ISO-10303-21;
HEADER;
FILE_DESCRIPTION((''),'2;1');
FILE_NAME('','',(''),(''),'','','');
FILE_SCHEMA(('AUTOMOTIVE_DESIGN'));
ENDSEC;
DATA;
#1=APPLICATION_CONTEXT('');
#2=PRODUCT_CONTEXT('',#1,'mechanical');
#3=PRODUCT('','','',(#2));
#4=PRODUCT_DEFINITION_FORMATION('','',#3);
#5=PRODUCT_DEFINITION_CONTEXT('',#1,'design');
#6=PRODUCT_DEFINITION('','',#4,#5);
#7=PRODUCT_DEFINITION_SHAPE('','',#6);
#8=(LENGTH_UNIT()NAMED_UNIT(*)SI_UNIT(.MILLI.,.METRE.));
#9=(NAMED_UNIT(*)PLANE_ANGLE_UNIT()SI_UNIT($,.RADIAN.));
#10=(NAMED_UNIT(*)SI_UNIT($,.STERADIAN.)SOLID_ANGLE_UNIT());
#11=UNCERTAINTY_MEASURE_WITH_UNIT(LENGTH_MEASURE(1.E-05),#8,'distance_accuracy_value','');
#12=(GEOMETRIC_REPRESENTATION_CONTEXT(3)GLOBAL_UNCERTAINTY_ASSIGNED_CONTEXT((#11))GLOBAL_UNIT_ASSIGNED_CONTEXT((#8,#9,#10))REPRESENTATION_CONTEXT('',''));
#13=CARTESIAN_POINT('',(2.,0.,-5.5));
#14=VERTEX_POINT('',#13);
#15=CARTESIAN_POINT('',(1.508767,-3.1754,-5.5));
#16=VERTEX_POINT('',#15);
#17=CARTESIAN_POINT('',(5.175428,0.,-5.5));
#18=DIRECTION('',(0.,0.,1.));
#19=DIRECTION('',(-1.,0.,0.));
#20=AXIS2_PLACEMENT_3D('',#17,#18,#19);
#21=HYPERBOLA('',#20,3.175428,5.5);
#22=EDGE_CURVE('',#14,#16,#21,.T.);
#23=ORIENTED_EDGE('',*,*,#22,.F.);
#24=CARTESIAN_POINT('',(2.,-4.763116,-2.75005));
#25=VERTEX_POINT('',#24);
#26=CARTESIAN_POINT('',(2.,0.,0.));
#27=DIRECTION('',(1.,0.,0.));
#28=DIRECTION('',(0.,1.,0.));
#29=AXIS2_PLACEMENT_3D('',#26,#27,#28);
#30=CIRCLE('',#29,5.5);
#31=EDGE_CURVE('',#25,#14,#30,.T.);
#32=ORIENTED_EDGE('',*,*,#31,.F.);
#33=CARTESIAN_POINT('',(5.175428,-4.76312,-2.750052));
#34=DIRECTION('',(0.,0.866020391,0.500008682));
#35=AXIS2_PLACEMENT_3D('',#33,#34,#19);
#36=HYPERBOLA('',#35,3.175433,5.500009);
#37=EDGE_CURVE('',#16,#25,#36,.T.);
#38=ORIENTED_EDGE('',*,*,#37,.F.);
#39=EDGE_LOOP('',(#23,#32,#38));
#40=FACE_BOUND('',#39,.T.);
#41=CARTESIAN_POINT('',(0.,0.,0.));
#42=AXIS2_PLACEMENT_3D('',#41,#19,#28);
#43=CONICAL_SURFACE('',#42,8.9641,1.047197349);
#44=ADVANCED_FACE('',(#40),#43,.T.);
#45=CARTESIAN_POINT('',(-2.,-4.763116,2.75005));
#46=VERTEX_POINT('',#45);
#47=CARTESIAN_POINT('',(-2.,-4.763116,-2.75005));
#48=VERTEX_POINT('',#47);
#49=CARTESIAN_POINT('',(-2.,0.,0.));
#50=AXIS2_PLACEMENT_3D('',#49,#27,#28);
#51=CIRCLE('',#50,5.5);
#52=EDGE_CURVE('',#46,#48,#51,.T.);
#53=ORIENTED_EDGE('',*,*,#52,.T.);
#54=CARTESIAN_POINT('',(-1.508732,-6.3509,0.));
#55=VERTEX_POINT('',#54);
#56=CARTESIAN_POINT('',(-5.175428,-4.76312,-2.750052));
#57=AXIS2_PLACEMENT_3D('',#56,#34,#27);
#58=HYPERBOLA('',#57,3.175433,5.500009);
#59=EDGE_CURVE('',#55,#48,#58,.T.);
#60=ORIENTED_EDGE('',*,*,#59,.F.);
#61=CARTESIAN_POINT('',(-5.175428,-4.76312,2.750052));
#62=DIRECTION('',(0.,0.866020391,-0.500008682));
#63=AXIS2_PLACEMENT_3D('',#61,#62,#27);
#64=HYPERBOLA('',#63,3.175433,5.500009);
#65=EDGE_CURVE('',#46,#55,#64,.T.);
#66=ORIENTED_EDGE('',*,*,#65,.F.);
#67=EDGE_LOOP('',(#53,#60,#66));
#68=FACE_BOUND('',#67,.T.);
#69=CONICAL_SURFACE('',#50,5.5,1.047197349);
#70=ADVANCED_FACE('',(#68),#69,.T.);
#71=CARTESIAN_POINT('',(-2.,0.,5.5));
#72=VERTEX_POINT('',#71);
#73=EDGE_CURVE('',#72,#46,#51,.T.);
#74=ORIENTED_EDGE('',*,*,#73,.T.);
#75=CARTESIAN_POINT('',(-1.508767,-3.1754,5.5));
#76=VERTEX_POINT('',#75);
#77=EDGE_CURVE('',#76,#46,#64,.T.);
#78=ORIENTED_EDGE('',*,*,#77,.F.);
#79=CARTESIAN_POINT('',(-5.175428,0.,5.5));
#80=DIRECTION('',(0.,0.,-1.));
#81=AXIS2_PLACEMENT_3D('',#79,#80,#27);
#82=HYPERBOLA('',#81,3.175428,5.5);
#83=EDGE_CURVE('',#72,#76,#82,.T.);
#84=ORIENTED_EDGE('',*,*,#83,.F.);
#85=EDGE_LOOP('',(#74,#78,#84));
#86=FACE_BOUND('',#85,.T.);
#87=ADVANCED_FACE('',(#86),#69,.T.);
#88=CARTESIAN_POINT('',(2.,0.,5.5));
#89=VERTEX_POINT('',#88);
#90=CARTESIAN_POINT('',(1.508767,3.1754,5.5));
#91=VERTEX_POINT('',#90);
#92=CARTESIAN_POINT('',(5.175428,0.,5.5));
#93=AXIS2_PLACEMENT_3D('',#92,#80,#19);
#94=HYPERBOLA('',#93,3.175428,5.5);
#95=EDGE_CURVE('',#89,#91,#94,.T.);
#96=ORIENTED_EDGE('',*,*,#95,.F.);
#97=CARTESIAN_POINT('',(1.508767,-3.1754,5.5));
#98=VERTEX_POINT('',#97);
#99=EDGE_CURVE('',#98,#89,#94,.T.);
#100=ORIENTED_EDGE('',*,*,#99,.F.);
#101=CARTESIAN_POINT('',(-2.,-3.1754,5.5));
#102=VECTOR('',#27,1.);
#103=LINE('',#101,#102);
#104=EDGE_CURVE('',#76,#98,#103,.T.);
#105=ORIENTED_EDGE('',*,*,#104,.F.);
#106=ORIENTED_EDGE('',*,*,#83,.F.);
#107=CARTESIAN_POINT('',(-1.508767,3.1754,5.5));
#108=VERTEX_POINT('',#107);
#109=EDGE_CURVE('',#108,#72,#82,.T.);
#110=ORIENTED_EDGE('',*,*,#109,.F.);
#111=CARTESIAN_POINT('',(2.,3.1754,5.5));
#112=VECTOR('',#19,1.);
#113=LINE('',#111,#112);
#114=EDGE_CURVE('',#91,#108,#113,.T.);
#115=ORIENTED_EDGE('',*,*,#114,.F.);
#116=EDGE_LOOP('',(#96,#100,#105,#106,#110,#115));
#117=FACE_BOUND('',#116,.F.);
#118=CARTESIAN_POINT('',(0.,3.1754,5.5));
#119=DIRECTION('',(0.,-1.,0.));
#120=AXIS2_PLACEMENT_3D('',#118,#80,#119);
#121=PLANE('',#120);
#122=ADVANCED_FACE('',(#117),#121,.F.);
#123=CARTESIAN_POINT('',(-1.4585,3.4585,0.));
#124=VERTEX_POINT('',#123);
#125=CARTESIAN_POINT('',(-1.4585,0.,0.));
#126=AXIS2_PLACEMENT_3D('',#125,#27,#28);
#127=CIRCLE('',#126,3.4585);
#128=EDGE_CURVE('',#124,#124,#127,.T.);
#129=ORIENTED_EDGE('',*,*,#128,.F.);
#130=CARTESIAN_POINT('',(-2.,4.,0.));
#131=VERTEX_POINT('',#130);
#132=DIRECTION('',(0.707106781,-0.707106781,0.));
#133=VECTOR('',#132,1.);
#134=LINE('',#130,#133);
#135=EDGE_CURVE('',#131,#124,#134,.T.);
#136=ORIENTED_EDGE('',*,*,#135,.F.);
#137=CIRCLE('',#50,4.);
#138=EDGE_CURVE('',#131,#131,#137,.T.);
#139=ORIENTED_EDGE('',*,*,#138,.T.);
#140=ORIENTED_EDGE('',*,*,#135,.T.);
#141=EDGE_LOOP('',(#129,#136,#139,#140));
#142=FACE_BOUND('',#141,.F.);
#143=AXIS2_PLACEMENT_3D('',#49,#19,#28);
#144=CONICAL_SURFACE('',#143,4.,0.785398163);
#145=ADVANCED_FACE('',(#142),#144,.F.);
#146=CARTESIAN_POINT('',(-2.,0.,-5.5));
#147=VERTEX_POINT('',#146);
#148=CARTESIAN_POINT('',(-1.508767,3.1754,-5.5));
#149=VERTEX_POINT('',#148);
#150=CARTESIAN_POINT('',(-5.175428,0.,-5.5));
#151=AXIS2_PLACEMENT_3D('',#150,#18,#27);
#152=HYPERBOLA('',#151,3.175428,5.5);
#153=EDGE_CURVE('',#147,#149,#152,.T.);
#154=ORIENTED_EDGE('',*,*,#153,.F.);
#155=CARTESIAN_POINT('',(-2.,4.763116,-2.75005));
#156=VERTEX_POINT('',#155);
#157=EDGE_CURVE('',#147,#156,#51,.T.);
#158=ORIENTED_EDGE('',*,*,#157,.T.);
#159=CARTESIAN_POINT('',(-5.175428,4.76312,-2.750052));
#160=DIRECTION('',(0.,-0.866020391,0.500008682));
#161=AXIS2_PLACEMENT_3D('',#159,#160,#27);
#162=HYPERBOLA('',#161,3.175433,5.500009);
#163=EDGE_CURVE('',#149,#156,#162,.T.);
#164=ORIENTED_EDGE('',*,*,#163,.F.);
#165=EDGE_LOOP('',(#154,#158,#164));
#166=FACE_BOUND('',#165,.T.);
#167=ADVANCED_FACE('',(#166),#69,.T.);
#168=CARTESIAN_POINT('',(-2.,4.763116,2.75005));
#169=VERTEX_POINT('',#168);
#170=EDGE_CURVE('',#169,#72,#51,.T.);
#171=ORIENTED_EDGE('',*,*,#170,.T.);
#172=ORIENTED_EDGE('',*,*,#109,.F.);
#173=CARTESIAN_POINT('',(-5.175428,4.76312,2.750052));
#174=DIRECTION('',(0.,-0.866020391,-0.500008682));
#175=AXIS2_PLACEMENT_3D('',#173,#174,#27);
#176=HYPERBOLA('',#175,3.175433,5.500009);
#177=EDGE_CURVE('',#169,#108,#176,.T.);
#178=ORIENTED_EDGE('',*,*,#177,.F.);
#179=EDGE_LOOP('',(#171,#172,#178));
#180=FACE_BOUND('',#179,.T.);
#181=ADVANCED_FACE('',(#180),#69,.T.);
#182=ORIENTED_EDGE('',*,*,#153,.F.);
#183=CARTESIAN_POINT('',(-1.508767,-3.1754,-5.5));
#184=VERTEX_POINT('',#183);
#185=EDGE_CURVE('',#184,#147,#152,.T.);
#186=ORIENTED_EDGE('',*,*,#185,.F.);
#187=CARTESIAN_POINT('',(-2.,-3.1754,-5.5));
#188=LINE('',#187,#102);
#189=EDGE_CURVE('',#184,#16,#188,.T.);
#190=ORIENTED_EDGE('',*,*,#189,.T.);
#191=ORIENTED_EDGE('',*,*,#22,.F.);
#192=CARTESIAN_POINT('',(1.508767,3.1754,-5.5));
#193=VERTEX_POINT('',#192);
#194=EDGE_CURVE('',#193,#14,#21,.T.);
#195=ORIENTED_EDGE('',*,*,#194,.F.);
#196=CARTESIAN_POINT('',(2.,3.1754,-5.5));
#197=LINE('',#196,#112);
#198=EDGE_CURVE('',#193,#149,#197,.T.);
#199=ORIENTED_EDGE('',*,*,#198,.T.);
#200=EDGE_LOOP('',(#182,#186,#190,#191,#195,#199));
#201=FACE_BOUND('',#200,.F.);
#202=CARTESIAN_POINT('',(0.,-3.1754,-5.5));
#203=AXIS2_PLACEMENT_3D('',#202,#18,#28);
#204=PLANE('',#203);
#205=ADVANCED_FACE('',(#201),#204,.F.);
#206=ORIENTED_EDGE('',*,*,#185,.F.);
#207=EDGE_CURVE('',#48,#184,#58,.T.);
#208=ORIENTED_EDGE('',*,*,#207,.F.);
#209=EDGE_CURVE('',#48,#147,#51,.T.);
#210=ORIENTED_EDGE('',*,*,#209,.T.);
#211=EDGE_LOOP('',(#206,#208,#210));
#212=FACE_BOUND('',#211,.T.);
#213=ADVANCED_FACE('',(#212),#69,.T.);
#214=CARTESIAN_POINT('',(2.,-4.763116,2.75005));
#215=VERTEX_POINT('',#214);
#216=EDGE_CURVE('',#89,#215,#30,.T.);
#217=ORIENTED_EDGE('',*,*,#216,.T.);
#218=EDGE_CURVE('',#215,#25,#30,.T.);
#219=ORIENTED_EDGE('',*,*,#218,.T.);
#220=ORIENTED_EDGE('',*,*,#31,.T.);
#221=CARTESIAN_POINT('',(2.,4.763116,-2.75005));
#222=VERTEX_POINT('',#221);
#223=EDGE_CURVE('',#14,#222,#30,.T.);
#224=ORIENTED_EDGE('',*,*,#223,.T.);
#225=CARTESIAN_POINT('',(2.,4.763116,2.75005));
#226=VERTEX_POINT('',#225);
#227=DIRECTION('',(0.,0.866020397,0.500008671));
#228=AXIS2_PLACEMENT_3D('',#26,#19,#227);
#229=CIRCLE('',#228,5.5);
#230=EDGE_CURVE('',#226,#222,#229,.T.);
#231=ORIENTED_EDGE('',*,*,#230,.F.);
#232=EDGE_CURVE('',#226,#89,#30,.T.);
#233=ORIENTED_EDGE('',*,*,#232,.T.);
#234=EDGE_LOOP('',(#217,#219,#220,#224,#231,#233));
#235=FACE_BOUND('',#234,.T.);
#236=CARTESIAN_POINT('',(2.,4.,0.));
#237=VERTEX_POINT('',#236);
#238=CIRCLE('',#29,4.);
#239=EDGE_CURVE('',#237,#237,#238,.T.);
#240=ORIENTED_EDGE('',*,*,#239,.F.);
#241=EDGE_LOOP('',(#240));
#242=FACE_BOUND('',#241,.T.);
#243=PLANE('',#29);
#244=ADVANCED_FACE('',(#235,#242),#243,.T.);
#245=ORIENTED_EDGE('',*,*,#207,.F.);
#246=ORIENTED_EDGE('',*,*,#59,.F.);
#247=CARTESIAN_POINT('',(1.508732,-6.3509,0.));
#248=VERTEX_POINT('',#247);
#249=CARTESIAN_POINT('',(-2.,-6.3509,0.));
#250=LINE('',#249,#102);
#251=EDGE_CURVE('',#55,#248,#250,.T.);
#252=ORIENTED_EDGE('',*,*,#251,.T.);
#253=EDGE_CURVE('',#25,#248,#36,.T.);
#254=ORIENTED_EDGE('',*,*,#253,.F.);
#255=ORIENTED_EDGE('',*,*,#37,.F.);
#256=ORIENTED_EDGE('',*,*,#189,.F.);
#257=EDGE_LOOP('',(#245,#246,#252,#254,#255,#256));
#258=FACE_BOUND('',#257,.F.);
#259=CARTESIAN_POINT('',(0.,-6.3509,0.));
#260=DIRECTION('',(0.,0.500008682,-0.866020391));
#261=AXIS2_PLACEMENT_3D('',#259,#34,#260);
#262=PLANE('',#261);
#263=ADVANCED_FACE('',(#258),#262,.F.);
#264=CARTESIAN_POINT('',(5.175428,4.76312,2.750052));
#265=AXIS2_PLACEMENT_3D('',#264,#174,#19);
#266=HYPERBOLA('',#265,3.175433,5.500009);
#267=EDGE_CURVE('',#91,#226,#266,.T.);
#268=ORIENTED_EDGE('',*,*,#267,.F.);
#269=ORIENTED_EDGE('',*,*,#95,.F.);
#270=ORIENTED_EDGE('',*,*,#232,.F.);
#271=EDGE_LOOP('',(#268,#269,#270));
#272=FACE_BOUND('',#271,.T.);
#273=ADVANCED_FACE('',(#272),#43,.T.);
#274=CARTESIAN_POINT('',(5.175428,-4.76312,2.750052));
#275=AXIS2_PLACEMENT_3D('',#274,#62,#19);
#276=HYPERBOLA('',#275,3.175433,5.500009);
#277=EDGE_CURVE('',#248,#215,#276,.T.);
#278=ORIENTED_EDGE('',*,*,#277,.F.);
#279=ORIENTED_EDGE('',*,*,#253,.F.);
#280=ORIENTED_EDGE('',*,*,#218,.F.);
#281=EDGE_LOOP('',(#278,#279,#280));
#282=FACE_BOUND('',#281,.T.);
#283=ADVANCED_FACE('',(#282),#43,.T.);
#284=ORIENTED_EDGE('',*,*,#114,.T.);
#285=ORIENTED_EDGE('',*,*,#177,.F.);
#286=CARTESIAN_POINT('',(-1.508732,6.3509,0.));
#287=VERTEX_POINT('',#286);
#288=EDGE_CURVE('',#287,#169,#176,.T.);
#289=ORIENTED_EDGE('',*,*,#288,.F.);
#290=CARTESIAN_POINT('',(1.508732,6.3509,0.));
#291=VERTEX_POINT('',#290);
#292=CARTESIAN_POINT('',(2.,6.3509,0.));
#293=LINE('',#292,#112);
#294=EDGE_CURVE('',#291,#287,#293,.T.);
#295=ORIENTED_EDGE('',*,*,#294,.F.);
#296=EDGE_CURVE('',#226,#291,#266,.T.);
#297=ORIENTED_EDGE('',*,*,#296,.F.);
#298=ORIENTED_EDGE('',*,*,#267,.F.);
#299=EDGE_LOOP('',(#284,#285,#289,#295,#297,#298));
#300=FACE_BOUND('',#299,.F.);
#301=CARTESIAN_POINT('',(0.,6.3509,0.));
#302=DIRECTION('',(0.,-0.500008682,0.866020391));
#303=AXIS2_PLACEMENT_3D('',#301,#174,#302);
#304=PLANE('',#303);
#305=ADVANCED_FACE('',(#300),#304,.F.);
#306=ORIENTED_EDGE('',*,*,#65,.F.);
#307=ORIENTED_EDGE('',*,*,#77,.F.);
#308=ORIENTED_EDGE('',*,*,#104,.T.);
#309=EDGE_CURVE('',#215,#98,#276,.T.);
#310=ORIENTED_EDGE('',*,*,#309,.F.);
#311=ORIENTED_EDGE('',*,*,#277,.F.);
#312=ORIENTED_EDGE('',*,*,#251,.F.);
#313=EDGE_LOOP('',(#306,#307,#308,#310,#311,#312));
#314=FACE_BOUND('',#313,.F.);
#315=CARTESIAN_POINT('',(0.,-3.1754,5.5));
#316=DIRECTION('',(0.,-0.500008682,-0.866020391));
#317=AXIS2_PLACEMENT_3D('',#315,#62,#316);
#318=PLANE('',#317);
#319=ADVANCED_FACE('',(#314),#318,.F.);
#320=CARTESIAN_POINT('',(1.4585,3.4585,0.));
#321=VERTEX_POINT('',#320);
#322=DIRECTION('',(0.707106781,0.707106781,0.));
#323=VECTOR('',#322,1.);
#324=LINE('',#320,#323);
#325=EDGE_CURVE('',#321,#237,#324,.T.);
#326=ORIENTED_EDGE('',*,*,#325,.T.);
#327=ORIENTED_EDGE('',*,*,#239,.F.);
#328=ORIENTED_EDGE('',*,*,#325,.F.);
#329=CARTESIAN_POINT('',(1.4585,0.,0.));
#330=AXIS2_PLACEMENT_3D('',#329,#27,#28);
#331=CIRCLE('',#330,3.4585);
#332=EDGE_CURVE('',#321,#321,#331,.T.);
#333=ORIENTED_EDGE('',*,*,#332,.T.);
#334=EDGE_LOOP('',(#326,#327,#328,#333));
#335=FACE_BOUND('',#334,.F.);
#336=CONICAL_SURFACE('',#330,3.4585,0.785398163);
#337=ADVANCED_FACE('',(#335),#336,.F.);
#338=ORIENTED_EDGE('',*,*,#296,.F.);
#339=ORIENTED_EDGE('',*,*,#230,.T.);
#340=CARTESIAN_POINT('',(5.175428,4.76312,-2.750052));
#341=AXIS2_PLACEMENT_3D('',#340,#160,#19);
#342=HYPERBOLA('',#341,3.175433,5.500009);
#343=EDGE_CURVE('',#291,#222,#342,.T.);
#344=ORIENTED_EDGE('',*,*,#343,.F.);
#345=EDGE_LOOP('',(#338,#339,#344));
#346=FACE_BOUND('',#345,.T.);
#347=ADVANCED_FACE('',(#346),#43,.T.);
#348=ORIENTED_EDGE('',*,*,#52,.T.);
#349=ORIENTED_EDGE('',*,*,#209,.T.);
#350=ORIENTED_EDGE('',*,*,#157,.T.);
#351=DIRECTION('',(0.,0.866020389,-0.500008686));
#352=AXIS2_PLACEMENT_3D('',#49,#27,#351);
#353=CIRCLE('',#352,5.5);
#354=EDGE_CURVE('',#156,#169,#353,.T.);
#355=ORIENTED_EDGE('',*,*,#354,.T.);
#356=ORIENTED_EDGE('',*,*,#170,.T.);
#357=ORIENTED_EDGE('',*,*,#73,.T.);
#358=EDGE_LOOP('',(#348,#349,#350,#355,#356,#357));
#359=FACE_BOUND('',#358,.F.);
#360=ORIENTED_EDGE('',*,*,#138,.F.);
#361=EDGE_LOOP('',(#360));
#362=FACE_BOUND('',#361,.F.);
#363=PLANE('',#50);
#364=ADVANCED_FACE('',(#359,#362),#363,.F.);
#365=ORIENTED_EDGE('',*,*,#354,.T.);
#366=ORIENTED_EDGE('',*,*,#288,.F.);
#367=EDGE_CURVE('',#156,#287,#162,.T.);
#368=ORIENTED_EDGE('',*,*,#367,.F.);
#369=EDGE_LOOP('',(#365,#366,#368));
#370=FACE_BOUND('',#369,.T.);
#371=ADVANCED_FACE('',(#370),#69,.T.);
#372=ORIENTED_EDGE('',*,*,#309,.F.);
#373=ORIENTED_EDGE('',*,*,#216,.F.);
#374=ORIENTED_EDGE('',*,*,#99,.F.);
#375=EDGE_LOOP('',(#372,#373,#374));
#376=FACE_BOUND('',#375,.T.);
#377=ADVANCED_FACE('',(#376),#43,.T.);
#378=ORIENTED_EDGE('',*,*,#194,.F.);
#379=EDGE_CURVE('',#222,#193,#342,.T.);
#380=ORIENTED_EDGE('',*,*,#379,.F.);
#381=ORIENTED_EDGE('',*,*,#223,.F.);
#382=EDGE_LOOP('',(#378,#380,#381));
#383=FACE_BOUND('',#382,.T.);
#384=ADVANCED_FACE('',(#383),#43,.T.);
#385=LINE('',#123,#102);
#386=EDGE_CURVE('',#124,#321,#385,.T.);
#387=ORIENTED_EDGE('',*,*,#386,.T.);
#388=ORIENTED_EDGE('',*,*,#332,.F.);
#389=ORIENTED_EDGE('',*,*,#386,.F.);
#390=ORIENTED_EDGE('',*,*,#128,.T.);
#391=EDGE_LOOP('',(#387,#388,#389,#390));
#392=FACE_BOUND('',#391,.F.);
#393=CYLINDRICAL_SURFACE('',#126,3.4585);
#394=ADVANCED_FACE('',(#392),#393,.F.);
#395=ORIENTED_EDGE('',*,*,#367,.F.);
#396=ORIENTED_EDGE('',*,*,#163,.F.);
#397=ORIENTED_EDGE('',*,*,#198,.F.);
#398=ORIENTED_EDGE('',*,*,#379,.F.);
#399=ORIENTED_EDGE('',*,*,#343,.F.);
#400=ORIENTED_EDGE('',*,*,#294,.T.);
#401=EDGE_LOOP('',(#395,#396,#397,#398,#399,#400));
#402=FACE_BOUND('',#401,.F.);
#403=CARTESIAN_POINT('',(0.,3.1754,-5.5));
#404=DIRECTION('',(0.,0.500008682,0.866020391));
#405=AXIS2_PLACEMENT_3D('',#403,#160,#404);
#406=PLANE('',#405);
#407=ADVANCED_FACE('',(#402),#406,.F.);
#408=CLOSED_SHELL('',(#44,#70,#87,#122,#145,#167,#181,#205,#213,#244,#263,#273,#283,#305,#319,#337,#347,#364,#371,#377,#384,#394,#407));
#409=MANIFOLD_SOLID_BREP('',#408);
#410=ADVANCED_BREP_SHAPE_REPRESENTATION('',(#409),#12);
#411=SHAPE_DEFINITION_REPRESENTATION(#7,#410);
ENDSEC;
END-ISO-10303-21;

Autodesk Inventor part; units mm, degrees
sketch "B" plane through (0, 0, 0) normal (1, 0, 0) x (0, 1, 0)
  line L0 (-3.1754, 5.5) -> (-6.3509, 0)
  line L1 (-6.3509, 0) -> (-3.1754, -5.5)
  line L2 (-3.1754, -5.5) -> (3.1754, -5.5)
  line L3 (3.1754, -5.5) -> (6.3509, 0)
  line L4 (6.3509, 0) -> (3.1754, 5.5)
  line L5 (3.1754, 5.5) -> (-3.1754, 5.5)
extrude "Extrusion1" add sketch "B" along normal mid plane 4
sketch "Sketch_2_ALT_Drilling_1" plane through (0, 0, 0) normal (0, 0, 1) x (1, 0, 0)
  line L0 (2, 0) -> (-2, 0)
  line L1 (-2, 0) -> (-2, 4)
  line L2 (-2, 4) -> (-1.4585, 3.4585)
  line L3 (-1.4585, 3.4585) -> (1.4585, 3.4585)
  line L4 (1.4585, 3.4585) -> (2, 4)
  line L5 (2, 4) -> (2, 0)
  line L6 (2, 0) -> (-2, 0)
revolve "Revolution1" cut sketch "Sketch_2_ALT_Drilling_1" angle 360 about axis through (2, 0, 0) along (1, 0, 0)
thread "Thread1" size "M8x1" class "6H" standard "ISO Metric profile" full length
sketch "Sketch_3" plane through (0, 0, 0) normal (0, 0, 1) x (1, 0, 0)
  line L0 (50, 0) -> (-50, 0)
  line L1 (-7, 1) -> (-2, 1)
  line L2 (-2, 1) -> (-2, 5.5)
  line L3 (-2, 5.5) -> (0, 8.9641)
  line L4 (0, 8.9641) -> (2, 5.5)
  line L5 (2, 5.5) -> (2, 1)
  line L6 (2, 1) -> (7, 1)
  line L7 (7, 1) -> (7, 13.5)
  line L8 (7, 13.5) -> (-7, 13.5)
  line L9 (-7, 13.5) -> (-7, 1)
revolve "Revolution2" cut sketch "Sketch_3" angle 360 about axis through (50, 0, 0) along (1, 0, 0)
ref_plane "nt_XY" through (0, 0, 0) normal (1, 0, 0) x (0, 0, -1)
ref_plane "nt_YZ" through (0, 0, 0) normal (0, 0, -1) x (0, 1, 0)
ref_plane "nt_ZX" through (0, 0, 0) normal (0, 1, 0) x (1, 0, 0)
ref_plane "ntj_XY" through (2, 0, 0) normal (1, 0, 0) x (0, 0, -1)
ref_plane "ntj_YZ" through (2, 0, 0) normal (0, 0, -1) x (0, 1, 0)
ref_plane "ntj_ZX" through (2, 0, 0) normal (0, 1, 0) x (1, 0, 0)
properties part number "SNJ-010C"
